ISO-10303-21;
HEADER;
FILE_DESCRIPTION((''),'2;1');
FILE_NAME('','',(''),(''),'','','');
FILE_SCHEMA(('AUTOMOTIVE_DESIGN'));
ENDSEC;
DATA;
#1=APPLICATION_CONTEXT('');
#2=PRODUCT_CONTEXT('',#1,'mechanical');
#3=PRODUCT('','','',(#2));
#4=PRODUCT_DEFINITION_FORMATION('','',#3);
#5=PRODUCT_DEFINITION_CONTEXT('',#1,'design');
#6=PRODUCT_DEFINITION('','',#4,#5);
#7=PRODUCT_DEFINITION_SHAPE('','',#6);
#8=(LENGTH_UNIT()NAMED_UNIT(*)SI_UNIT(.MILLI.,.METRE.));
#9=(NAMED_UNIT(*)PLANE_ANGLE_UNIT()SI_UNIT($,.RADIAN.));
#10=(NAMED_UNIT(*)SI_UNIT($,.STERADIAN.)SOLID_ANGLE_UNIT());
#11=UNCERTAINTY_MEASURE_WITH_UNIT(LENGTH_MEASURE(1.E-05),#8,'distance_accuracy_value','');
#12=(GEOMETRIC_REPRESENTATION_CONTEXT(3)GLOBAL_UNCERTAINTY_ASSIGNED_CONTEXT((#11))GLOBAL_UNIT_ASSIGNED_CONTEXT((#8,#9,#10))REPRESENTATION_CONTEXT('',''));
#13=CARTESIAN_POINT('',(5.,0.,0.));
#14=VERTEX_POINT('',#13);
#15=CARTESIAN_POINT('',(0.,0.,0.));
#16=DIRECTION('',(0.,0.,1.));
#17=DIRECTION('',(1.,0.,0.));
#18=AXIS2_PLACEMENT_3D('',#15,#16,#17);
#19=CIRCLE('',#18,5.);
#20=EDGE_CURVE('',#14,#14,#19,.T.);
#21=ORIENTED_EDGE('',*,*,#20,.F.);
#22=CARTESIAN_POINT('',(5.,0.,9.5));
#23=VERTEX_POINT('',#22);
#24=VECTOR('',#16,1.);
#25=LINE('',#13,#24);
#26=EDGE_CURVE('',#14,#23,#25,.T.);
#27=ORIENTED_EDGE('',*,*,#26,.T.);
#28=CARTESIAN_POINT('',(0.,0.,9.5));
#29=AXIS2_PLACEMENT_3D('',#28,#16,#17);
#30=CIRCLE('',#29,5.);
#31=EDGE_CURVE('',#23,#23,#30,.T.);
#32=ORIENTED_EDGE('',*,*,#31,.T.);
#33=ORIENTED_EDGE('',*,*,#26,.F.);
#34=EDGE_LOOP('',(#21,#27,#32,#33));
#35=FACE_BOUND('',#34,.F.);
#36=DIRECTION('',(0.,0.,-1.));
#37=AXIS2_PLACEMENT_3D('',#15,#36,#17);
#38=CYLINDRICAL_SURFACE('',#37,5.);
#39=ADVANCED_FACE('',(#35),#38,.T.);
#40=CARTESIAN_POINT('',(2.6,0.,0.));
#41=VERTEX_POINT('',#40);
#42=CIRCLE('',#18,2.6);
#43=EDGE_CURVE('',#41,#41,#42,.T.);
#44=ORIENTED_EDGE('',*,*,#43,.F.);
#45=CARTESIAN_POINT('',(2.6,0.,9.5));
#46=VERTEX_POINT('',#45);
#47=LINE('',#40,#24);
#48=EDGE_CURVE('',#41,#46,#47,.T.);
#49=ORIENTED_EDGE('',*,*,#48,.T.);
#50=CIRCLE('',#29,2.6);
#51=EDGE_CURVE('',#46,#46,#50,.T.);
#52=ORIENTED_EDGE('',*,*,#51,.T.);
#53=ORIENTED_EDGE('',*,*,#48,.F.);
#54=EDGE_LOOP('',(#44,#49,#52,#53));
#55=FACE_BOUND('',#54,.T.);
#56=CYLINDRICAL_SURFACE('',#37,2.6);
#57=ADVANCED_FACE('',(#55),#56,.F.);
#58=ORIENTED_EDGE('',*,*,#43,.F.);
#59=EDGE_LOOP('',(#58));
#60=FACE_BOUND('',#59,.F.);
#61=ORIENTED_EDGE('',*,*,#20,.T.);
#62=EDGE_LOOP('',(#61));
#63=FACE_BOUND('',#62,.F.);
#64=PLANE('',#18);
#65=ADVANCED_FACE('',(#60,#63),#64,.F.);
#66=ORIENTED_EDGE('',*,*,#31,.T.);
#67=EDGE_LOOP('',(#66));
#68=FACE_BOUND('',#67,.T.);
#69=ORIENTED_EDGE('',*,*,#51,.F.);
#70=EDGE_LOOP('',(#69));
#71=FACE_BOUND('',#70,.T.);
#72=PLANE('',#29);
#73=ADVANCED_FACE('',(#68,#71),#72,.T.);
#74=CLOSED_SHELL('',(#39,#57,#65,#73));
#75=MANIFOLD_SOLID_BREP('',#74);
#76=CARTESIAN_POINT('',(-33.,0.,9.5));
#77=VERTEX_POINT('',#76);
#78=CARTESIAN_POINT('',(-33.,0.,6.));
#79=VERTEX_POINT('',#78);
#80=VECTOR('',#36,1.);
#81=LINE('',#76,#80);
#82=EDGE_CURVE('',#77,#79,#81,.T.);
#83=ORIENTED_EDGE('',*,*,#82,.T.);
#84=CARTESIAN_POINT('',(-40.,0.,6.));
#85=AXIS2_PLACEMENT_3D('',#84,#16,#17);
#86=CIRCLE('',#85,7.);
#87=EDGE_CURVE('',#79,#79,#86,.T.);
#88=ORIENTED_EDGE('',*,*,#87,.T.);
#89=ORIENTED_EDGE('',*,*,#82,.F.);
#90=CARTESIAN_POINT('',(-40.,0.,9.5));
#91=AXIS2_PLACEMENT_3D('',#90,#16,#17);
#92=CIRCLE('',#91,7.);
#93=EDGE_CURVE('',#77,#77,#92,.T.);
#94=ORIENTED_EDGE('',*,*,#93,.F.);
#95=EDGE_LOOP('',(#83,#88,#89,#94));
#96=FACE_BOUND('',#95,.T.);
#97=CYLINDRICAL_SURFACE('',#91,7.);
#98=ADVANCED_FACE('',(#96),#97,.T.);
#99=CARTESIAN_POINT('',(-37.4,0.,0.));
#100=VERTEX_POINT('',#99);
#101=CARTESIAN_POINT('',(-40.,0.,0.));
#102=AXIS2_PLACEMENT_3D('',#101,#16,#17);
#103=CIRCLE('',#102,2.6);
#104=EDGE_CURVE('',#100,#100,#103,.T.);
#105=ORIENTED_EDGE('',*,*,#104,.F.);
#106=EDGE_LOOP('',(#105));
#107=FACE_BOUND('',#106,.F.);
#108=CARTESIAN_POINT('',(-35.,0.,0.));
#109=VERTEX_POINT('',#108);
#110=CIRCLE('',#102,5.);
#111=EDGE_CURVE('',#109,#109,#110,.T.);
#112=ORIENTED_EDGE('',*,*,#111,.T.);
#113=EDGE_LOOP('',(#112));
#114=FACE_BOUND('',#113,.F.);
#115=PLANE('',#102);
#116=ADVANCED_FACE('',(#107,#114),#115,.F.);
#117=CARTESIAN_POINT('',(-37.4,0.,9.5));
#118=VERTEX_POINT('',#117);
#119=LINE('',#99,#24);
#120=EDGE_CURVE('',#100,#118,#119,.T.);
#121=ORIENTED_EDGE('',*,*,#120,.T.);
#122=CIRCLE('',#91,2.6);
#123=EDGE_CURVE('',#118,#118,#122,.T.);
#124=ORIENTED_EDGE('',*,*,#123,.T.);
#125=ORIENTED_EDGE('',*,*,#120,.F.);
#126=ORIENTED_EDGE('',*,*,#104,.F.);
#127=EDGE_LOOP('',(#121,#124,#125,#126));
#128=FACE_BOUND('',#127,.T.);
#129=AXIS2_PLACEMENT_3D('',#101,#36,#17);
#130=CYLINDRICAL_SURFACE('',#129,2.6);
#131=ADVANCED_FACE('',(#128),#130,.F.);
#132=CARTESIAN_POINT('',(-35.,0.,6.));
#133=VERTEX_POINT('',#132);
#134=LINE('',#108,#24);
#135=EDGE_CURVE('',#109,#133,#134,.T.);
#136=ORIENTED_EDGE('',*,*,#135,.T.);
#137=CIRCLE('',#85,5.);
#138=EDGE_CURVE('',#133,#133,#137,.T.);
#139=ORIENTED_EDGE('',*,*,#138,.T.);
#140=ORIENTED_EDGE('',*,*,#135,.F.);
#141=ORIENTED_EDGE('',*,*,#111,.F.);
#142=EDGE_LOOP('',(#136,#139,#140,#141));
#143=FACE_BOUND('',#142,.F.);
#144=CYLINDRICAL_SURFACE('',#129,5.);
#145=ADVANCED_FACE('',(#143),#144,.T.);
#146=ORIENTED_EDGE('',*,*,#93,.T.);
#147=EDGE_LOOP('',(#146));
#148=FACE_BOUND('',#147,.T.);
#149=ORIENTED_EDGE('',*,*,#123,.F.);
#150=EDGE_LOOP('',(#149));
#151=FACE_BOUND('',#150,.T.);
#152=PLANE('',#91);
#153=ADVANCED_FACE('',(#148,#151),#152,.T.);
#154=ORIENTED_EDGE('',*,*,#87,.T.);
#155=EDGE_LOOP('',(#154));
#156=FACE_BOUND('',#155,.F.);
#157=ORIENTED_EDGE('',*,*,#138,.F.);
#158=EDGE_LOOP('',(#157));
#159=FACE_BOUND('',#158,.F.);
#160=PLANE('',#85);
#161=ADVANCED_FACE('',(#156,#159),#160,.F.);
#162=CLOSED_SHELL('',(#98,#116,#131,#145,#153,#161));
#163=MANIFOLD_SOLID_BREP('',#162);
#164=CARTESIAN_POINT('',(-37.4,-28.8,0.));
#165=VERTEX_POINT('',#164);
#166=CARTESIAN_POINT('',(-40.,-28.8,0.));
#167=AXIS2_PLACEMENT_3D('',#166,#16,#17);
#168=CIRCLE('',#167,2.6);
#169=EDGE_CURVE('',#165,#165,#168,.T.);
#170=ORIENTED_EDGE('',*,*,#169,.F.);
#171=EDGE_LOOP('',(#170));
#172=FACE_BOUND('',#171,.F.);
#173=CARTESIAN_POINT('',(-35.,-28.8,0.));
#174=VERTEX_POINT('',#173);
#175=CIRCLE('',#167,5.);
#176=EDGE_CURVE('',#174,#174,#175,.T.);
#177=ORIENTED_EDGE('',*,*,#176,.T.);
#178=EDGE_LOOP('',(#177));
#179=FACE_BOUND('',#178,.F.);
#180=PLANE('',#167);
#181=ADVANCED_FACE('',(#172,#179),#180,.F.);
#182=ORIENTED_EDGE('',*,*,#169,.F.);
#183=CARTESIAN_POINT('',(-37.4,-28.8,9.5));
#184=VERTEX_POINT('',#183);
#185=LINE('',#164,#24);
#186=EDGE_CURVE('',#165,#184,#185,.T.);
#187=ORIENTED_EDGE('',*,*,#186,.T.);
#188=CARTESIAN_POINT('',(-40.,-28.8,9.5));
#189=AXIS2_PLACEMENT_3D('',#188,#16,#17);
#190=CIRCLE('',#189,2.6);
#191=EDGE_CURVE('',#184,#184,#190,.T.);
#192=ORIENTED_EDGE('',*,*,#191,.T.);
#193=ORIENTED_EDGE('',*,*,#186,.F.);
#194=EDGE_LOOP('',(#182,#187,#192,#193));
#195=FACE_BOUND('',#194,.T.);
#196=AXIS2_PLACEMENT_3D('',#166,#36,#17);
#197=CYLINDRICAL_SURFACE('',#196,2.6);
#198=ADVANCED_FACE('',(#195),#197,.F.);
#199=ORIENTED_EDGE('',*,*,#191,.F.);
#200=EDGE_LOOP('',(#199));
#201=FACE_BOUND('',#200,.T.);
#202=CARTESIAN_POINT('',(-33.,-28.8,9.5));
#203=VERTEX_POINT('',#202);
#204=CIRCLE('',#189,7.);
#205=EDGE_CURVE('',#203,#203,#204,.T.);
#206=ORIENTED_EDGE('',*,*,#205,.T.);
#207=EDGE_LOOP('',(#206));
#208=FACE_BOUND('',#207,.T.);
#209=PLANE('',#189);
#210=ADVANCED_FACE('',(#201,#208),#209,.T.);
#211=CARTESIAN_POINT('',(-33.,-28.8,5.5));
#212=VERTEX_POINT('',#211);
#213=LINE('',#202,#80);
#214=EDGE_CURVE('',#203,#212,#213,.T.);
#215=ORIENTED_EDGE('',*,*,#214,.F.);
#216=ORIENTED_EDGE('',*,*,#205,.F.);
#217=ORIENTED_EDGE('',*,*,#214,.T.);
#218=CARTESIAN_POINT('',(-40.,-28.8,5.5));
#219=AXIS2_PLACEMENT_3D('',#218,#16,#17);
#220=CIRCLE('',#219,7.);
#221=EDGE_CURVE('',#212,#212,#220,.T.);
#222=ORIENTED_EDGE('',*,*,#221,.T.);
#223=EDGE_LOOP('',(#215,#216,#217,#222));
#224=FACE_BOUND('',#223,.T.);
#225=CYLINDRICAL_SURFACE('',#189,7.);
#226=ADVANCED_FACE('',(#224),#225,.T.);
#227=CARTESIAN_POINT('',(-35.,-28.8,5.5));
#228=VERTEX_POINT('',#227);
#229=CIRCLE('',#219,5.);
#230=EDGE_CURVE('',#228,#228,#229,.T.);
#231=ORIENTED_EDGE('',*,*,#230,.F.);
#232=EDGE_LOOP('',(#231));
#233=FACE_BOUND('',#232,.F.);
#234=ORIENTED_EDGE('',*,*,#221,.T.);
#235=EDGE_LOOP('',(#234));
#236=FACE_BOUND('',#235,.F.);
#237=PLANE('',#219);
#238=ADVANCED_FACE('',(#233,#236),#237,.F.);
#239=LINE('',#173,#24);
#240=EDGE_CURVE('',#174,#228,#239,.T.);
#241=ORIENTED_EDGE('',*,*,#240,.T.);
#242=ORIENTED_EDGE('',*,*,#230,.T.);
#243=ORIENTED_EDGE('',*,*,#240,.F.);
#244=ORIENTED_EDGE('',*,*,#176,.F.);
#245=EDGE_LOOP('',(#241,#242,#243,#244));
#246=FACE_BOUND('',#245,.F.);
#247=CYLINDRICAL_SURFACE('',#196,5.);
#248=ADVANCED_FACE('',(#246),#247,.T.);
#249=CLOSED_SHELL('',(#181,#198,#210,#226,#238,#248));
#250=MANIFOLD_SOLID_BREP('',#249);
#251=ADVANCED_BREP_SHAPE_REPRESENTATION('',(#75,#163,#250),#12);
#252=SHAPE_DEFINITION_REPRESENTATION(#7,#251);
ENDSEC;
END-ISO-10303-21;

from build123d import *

# Parameters (mm, degrees)
F0_R     = 5
F0_R_2   = 2.6
F1_DEPTH = 9.5
F4_R     = 7
F4_R_2   = 5
F5_DEPTH = 3.5
F6_R     = 7
F6_R_2   = 5
F7_DEPTH = 4


with BuildPart() as f1:
    # F0 (on Top) → F1 (new body)
    with BuildSketch(Plane.XY):
        Circle(F0_R)
        Circle(F0_R_2, mode=Mode.SUBTRACT)
    extrude(amount=F1_DEPTH)


with BuildPart() as f2_1:
    # F2: copy of F1
    add(f1.part.moved(Location((-40, 0, 0))))

    # F4 (on face) → F5 (join)
    with BuildSketch(Plane.XY.offset(9.5)):
        with Locations((-40, 0)):
            Circle(F4_R)
        with Locations((-40, 0)):
            Circle(F4_R_2, mode=Mode.SUBTRACT)
    extrude(amount=-F5_DEPTH)


with BuildPart() as f3_1:
    # F3: copy of F2_1
    add(f2_1.part.moved(Location((0, -28.8, 0))))

    # F6 (on face) → F7 (join)
    with BuildSketch(Plane.XY.offset(9.5)):
        with Locations((-40, -28.8)):
            Circle(F6_R)
        with Locations((-40, -28.8)):
            Circle(F6_R_2, mode=Mode.SUBTRACT)
    extrude(amount=-F7_DEPTH)


solid = Compound([f1.part, f2_1.part, f3_1.part])
